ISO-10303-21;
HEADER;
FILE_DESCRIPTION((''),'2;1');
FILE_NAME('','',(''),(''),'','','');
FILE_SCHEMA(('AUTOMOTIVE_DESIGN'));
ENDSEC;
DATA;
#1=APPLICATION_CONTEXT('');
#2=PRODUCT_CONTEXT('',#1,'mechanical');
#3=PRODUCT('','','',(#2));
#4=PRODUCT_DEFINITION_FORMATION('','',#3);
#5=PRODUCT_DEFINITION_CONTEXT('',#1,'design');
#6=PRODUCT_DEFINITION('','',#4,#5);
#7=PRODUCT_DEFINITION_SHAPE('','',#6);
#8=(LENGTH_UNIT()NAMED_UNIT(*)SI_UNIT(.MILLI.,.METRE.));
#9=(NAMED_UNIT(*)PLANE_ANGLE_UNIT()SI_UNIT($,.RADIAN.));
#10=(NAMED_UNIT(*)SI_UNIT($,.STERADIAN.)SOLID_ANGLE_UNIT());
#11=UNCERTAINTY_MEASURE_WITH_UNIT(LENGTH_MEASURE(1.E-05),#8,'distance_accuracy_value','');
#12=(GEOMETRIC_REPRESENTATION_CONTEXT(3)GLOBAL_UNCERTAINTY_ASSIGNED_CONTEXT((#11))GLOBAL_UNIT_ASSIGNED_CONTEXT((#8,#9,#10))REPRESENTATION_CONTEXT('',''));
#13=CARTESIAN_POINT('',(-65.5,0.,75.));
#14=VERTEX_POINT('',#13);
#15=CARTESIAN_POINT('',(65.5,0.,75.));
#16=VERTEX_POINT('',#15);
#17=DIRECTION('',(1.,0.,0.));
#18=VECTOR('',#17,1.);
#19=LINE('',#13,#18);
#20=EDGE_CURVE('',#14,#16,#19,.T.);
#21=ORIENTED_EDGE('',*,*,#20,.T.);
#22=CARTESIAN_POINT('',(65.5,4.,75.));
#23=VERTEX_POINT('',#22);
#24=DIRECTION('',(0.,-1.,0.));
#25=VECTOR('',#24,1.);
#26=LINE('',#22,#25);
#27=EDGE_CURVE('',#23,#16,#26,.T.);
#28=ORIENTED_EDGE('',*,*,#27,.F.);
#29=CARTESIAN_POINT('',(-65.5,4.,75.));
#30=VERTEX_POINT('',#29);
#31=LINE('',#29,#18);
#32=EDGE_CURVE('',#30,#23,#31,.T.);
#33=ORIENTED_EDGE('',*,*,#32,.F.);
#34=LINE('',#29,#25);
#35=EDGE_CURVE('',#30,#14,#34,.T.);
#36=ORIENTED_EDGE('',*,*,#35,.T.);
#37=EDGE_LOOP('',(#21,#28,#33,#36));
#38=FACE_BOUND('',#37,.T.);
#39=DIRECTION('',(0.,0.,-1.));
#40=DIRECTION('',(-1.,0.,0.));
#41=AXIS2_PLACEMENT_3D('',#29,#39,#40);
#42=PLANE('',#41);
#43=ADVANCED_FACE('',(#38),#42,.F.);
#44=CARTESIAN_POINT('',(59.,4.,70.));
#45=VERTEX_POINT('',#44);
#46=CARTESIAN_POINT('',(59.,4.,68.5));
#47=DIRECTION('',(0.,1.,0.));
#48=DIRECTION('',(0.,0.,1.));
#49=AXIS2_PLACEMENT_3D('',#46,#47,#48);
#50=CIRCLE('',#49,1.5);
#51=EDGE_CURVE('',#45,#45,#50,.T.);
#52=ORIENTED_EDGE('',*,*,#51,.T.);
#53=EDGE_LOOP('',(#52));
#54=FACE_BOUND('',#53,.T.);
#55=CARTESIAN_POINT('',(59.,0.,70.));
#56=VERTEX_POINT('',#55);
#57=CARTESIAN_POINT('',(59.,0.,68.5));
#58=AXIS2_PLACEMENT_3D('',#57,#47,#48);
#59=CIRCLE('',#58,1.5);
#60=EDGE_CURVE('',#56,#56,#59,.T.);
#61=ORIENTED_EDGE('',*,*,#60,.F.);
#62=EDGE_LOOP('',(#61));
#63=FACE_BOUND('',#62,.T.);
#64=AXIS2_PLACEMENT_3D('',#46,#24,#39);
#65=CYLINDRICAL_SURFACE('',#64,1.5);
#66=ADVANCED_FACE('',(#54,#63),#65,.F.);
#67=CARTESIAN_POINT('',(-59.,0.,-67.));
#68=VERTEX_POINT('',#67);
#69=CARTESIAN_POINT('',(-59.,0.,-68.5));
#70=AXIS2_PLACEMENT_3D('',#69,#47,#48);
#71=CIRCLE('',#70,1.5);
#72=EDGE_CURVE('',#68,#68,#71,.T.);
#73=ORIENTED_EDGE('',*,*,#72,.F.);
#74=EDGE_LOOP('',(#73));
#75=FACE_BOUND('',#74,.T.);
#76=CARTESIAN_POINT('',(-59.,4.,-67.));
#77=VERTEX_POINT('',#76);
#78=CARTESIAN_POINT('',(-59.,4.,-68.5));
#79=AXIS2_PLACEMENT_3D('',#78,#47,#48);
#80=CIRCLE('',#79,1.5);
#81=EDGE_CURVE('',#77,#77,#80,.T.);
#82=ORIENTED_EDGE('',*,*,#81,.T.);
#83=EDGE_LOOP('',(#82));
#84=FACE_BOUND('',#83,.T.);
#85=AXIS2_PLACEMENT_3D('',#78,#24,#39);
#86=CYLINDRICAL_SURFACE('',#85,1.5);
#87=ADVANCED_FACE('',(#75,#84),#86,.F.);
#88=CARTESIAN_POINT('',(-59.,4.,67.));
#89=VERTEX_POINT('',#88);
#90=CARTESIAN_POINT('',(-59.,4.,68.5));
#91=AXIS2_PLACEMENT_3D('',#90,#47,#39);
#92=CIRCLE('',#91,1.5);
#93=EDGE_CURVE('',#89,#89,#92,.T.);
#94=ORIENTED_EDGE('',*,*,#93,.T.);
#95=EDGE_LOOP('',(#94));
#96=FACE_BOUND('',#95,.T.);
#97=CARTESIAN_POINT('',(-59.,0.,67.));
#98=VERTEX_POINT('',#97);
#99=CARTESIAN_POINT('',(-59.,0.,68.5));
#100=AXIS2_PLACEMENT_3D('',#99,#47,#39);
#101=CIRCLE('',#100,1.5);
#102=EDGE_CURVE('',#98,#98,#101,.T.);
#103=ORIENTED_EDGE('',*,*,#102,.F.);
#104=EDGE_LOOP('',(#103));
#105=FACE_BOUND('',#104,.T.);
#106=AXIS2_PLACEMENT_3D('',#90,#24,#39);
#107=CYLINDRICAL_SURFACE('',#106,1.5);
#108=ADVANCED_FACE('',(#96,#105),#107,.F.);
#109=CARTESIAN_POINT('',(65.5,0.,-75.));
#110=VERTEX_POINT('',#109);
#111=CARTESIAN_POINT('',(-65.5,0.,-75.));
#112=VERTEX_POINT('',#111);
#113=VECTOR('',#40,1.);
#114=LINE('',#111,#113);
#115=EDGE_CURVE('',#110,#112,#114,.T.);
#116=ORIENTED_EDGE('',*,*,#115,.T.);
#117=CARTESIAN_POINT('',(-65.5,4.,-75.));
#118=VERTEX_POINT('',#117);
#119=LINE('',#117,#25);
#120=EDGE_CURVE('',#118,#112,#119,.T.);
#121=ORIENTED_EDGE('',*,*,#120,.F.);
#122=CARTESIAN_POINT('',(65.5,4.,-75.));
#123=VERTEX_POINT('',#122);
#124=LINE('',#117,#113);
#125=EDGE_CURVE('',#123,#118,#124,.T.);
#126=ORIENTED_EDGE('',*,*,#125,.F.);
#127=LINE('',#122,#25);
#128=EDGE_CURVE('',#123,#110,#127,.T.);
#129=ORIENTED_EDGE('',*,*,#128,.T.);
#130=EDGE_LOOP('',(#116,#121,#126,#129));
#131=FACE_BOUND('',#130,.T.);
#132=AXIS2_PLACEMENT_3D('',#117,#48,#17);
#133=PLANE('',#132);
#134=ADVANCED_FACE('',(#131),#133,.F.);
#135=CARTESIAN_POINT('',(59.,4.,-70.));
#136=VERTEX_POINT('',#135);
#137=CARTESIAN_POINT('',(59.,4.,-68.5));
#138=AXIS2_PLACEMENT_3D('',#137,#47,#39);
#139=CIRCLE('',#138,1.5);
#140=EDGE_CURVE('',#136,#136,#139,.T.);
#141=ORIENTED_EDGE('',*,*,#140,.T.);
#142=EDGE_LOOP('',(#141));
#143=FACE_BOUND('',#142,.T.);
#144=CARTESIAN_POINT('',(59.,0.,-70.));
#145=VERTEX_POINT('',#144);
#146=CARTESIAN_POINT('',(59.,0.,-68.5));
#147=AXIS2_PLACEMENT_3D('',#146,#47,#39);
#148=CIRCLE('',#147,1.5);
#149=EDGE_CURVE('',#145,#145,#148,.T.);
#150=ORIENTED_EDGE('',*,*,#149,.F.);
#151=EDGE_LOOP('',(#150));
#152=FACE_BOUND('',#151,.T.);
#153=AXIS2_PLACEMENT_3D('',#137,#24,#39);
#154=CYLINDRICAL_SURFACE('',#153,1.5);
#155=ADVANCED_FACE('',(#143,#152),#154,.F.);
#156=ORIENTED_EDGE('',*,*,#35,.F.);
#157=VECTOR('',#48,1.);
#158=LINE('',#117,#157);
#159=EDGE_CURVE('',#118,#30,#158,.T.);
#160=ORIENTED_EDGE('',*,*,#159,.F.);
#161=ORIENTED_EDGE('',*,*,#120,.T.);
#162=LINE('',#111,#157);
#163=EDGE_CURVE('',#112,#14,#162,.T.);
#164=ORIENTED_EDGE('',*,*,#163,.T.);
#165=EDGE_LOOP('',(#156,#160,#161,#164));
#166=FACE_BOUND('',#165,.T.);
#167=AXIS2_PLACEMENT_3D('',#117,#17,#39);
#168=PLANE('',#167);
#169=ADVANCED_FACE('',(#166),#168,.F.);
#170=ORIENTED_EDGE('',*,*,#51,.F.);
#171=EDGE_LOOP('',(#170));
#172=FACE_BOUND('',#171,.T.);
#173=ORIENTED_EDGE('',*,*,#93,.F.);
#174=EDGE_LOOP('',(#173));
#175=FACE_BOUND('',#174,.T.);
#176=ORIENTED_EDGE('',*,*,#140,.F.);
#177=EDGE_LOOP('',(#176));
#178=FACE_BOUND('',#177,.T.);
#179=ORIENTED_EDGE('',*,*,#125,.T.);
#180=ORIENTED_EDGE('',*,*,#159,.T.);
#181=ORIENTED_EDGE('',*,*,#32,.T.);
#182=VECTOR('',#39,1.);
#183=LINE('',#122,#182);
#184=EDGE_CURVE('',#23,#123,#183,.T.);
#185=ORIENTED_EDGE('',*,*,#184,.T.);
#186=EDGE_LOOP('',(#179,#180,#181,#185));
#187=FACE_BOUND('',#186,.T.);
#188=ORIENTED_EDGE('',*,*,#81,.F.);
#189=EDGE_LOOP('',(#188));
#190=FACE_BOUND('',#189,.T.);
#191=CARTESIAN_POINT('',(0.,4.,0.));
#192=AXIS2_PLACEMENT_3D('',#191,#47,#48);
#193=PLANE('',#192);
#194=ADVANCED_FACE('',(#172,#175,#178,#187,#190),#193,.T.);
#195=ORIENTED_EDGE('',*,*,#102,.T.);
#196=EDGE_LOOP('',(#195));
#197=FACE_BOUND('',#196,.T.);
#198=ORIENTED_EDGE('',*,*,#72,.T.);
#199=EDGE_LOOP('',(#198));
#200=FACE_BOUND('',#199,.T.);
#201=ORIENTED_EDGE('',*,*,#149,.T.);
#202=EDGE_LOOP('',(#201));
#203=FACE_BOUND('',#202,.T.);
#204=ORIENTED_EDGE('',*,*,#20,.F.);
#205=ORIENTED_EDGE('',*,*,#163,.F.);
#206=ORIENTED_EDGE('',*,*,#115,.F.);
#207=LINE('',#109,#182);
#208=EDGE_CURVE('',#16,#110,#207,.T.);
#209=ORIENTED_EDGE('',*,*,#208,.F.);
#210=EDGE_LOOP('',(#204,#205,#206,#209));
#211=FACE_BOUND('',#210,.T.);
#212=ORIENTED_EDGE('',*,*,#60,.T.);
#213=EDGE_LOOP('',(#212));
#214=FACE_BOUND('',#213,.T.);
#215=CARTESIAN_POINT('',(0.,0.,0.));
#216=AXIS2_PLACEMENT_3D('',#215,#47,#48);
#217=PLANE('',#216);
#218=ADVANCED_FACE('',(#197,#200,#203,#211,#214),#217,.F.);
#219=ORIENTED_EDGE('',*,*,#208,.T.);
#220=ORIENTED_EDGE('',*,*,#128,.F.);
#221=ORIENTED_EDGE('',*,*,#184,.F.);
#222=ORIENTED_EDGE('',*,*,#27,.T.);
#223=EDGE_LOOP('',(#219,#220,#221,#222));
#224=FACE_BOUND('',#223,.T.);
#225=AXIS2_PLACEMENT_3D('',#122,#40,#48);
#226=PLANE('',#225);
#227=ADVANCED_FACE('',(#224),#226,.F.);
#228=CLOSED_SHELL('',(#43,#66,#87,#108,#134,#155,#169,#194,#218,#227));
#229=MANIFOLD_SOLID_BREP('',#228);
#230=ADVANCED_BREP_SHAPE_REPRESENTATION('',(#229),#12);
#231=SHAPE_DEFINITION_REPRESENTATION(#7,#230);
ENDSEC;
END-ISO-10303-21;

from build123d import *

# Parameters (mm, degrees)
SKETCH1_W           = 131
SKETCH1_H           = 150
SKETCH1_R           = 1.5
BOSS_EXTRUDE1_DEPTH = 4


with BuildPart() as part:
    # Sketch1 → Boss-Extrude1 (new body)
    with BuildSketch(Plane(origin=(0, 0, 0), x_dir=(1, 0, 0), z_dir=(0, 1, 0))):
        Rectangle(SKETCH1_W, SKETCH1_H)
        with Locations(Location((-59, 68.5, 0), (0, 0, 270))):
            Circle(SKETCH1_R, mode=Mode.SUBTRACT)
        with Locations(Location((59, 68.5, 0), (0, 0, 90))):
            Circle(SKETCH1_R, mode=Mode.SUBTRACT)
        with Locations(Location((59, -68.5, 0), (0, 0, 270))):
            Circle(SKETCH1_R, mode=Mode.SUBTRACT)
        with Locations(Location((-59, -68.5, 0), (0, 0, 90))):
            Circle(SKETCH1_R, mode=Mode.SUBTRACT)
    extrude(amount=BOSS_EXTRUDE1_DEPTH)


solid = part.part
